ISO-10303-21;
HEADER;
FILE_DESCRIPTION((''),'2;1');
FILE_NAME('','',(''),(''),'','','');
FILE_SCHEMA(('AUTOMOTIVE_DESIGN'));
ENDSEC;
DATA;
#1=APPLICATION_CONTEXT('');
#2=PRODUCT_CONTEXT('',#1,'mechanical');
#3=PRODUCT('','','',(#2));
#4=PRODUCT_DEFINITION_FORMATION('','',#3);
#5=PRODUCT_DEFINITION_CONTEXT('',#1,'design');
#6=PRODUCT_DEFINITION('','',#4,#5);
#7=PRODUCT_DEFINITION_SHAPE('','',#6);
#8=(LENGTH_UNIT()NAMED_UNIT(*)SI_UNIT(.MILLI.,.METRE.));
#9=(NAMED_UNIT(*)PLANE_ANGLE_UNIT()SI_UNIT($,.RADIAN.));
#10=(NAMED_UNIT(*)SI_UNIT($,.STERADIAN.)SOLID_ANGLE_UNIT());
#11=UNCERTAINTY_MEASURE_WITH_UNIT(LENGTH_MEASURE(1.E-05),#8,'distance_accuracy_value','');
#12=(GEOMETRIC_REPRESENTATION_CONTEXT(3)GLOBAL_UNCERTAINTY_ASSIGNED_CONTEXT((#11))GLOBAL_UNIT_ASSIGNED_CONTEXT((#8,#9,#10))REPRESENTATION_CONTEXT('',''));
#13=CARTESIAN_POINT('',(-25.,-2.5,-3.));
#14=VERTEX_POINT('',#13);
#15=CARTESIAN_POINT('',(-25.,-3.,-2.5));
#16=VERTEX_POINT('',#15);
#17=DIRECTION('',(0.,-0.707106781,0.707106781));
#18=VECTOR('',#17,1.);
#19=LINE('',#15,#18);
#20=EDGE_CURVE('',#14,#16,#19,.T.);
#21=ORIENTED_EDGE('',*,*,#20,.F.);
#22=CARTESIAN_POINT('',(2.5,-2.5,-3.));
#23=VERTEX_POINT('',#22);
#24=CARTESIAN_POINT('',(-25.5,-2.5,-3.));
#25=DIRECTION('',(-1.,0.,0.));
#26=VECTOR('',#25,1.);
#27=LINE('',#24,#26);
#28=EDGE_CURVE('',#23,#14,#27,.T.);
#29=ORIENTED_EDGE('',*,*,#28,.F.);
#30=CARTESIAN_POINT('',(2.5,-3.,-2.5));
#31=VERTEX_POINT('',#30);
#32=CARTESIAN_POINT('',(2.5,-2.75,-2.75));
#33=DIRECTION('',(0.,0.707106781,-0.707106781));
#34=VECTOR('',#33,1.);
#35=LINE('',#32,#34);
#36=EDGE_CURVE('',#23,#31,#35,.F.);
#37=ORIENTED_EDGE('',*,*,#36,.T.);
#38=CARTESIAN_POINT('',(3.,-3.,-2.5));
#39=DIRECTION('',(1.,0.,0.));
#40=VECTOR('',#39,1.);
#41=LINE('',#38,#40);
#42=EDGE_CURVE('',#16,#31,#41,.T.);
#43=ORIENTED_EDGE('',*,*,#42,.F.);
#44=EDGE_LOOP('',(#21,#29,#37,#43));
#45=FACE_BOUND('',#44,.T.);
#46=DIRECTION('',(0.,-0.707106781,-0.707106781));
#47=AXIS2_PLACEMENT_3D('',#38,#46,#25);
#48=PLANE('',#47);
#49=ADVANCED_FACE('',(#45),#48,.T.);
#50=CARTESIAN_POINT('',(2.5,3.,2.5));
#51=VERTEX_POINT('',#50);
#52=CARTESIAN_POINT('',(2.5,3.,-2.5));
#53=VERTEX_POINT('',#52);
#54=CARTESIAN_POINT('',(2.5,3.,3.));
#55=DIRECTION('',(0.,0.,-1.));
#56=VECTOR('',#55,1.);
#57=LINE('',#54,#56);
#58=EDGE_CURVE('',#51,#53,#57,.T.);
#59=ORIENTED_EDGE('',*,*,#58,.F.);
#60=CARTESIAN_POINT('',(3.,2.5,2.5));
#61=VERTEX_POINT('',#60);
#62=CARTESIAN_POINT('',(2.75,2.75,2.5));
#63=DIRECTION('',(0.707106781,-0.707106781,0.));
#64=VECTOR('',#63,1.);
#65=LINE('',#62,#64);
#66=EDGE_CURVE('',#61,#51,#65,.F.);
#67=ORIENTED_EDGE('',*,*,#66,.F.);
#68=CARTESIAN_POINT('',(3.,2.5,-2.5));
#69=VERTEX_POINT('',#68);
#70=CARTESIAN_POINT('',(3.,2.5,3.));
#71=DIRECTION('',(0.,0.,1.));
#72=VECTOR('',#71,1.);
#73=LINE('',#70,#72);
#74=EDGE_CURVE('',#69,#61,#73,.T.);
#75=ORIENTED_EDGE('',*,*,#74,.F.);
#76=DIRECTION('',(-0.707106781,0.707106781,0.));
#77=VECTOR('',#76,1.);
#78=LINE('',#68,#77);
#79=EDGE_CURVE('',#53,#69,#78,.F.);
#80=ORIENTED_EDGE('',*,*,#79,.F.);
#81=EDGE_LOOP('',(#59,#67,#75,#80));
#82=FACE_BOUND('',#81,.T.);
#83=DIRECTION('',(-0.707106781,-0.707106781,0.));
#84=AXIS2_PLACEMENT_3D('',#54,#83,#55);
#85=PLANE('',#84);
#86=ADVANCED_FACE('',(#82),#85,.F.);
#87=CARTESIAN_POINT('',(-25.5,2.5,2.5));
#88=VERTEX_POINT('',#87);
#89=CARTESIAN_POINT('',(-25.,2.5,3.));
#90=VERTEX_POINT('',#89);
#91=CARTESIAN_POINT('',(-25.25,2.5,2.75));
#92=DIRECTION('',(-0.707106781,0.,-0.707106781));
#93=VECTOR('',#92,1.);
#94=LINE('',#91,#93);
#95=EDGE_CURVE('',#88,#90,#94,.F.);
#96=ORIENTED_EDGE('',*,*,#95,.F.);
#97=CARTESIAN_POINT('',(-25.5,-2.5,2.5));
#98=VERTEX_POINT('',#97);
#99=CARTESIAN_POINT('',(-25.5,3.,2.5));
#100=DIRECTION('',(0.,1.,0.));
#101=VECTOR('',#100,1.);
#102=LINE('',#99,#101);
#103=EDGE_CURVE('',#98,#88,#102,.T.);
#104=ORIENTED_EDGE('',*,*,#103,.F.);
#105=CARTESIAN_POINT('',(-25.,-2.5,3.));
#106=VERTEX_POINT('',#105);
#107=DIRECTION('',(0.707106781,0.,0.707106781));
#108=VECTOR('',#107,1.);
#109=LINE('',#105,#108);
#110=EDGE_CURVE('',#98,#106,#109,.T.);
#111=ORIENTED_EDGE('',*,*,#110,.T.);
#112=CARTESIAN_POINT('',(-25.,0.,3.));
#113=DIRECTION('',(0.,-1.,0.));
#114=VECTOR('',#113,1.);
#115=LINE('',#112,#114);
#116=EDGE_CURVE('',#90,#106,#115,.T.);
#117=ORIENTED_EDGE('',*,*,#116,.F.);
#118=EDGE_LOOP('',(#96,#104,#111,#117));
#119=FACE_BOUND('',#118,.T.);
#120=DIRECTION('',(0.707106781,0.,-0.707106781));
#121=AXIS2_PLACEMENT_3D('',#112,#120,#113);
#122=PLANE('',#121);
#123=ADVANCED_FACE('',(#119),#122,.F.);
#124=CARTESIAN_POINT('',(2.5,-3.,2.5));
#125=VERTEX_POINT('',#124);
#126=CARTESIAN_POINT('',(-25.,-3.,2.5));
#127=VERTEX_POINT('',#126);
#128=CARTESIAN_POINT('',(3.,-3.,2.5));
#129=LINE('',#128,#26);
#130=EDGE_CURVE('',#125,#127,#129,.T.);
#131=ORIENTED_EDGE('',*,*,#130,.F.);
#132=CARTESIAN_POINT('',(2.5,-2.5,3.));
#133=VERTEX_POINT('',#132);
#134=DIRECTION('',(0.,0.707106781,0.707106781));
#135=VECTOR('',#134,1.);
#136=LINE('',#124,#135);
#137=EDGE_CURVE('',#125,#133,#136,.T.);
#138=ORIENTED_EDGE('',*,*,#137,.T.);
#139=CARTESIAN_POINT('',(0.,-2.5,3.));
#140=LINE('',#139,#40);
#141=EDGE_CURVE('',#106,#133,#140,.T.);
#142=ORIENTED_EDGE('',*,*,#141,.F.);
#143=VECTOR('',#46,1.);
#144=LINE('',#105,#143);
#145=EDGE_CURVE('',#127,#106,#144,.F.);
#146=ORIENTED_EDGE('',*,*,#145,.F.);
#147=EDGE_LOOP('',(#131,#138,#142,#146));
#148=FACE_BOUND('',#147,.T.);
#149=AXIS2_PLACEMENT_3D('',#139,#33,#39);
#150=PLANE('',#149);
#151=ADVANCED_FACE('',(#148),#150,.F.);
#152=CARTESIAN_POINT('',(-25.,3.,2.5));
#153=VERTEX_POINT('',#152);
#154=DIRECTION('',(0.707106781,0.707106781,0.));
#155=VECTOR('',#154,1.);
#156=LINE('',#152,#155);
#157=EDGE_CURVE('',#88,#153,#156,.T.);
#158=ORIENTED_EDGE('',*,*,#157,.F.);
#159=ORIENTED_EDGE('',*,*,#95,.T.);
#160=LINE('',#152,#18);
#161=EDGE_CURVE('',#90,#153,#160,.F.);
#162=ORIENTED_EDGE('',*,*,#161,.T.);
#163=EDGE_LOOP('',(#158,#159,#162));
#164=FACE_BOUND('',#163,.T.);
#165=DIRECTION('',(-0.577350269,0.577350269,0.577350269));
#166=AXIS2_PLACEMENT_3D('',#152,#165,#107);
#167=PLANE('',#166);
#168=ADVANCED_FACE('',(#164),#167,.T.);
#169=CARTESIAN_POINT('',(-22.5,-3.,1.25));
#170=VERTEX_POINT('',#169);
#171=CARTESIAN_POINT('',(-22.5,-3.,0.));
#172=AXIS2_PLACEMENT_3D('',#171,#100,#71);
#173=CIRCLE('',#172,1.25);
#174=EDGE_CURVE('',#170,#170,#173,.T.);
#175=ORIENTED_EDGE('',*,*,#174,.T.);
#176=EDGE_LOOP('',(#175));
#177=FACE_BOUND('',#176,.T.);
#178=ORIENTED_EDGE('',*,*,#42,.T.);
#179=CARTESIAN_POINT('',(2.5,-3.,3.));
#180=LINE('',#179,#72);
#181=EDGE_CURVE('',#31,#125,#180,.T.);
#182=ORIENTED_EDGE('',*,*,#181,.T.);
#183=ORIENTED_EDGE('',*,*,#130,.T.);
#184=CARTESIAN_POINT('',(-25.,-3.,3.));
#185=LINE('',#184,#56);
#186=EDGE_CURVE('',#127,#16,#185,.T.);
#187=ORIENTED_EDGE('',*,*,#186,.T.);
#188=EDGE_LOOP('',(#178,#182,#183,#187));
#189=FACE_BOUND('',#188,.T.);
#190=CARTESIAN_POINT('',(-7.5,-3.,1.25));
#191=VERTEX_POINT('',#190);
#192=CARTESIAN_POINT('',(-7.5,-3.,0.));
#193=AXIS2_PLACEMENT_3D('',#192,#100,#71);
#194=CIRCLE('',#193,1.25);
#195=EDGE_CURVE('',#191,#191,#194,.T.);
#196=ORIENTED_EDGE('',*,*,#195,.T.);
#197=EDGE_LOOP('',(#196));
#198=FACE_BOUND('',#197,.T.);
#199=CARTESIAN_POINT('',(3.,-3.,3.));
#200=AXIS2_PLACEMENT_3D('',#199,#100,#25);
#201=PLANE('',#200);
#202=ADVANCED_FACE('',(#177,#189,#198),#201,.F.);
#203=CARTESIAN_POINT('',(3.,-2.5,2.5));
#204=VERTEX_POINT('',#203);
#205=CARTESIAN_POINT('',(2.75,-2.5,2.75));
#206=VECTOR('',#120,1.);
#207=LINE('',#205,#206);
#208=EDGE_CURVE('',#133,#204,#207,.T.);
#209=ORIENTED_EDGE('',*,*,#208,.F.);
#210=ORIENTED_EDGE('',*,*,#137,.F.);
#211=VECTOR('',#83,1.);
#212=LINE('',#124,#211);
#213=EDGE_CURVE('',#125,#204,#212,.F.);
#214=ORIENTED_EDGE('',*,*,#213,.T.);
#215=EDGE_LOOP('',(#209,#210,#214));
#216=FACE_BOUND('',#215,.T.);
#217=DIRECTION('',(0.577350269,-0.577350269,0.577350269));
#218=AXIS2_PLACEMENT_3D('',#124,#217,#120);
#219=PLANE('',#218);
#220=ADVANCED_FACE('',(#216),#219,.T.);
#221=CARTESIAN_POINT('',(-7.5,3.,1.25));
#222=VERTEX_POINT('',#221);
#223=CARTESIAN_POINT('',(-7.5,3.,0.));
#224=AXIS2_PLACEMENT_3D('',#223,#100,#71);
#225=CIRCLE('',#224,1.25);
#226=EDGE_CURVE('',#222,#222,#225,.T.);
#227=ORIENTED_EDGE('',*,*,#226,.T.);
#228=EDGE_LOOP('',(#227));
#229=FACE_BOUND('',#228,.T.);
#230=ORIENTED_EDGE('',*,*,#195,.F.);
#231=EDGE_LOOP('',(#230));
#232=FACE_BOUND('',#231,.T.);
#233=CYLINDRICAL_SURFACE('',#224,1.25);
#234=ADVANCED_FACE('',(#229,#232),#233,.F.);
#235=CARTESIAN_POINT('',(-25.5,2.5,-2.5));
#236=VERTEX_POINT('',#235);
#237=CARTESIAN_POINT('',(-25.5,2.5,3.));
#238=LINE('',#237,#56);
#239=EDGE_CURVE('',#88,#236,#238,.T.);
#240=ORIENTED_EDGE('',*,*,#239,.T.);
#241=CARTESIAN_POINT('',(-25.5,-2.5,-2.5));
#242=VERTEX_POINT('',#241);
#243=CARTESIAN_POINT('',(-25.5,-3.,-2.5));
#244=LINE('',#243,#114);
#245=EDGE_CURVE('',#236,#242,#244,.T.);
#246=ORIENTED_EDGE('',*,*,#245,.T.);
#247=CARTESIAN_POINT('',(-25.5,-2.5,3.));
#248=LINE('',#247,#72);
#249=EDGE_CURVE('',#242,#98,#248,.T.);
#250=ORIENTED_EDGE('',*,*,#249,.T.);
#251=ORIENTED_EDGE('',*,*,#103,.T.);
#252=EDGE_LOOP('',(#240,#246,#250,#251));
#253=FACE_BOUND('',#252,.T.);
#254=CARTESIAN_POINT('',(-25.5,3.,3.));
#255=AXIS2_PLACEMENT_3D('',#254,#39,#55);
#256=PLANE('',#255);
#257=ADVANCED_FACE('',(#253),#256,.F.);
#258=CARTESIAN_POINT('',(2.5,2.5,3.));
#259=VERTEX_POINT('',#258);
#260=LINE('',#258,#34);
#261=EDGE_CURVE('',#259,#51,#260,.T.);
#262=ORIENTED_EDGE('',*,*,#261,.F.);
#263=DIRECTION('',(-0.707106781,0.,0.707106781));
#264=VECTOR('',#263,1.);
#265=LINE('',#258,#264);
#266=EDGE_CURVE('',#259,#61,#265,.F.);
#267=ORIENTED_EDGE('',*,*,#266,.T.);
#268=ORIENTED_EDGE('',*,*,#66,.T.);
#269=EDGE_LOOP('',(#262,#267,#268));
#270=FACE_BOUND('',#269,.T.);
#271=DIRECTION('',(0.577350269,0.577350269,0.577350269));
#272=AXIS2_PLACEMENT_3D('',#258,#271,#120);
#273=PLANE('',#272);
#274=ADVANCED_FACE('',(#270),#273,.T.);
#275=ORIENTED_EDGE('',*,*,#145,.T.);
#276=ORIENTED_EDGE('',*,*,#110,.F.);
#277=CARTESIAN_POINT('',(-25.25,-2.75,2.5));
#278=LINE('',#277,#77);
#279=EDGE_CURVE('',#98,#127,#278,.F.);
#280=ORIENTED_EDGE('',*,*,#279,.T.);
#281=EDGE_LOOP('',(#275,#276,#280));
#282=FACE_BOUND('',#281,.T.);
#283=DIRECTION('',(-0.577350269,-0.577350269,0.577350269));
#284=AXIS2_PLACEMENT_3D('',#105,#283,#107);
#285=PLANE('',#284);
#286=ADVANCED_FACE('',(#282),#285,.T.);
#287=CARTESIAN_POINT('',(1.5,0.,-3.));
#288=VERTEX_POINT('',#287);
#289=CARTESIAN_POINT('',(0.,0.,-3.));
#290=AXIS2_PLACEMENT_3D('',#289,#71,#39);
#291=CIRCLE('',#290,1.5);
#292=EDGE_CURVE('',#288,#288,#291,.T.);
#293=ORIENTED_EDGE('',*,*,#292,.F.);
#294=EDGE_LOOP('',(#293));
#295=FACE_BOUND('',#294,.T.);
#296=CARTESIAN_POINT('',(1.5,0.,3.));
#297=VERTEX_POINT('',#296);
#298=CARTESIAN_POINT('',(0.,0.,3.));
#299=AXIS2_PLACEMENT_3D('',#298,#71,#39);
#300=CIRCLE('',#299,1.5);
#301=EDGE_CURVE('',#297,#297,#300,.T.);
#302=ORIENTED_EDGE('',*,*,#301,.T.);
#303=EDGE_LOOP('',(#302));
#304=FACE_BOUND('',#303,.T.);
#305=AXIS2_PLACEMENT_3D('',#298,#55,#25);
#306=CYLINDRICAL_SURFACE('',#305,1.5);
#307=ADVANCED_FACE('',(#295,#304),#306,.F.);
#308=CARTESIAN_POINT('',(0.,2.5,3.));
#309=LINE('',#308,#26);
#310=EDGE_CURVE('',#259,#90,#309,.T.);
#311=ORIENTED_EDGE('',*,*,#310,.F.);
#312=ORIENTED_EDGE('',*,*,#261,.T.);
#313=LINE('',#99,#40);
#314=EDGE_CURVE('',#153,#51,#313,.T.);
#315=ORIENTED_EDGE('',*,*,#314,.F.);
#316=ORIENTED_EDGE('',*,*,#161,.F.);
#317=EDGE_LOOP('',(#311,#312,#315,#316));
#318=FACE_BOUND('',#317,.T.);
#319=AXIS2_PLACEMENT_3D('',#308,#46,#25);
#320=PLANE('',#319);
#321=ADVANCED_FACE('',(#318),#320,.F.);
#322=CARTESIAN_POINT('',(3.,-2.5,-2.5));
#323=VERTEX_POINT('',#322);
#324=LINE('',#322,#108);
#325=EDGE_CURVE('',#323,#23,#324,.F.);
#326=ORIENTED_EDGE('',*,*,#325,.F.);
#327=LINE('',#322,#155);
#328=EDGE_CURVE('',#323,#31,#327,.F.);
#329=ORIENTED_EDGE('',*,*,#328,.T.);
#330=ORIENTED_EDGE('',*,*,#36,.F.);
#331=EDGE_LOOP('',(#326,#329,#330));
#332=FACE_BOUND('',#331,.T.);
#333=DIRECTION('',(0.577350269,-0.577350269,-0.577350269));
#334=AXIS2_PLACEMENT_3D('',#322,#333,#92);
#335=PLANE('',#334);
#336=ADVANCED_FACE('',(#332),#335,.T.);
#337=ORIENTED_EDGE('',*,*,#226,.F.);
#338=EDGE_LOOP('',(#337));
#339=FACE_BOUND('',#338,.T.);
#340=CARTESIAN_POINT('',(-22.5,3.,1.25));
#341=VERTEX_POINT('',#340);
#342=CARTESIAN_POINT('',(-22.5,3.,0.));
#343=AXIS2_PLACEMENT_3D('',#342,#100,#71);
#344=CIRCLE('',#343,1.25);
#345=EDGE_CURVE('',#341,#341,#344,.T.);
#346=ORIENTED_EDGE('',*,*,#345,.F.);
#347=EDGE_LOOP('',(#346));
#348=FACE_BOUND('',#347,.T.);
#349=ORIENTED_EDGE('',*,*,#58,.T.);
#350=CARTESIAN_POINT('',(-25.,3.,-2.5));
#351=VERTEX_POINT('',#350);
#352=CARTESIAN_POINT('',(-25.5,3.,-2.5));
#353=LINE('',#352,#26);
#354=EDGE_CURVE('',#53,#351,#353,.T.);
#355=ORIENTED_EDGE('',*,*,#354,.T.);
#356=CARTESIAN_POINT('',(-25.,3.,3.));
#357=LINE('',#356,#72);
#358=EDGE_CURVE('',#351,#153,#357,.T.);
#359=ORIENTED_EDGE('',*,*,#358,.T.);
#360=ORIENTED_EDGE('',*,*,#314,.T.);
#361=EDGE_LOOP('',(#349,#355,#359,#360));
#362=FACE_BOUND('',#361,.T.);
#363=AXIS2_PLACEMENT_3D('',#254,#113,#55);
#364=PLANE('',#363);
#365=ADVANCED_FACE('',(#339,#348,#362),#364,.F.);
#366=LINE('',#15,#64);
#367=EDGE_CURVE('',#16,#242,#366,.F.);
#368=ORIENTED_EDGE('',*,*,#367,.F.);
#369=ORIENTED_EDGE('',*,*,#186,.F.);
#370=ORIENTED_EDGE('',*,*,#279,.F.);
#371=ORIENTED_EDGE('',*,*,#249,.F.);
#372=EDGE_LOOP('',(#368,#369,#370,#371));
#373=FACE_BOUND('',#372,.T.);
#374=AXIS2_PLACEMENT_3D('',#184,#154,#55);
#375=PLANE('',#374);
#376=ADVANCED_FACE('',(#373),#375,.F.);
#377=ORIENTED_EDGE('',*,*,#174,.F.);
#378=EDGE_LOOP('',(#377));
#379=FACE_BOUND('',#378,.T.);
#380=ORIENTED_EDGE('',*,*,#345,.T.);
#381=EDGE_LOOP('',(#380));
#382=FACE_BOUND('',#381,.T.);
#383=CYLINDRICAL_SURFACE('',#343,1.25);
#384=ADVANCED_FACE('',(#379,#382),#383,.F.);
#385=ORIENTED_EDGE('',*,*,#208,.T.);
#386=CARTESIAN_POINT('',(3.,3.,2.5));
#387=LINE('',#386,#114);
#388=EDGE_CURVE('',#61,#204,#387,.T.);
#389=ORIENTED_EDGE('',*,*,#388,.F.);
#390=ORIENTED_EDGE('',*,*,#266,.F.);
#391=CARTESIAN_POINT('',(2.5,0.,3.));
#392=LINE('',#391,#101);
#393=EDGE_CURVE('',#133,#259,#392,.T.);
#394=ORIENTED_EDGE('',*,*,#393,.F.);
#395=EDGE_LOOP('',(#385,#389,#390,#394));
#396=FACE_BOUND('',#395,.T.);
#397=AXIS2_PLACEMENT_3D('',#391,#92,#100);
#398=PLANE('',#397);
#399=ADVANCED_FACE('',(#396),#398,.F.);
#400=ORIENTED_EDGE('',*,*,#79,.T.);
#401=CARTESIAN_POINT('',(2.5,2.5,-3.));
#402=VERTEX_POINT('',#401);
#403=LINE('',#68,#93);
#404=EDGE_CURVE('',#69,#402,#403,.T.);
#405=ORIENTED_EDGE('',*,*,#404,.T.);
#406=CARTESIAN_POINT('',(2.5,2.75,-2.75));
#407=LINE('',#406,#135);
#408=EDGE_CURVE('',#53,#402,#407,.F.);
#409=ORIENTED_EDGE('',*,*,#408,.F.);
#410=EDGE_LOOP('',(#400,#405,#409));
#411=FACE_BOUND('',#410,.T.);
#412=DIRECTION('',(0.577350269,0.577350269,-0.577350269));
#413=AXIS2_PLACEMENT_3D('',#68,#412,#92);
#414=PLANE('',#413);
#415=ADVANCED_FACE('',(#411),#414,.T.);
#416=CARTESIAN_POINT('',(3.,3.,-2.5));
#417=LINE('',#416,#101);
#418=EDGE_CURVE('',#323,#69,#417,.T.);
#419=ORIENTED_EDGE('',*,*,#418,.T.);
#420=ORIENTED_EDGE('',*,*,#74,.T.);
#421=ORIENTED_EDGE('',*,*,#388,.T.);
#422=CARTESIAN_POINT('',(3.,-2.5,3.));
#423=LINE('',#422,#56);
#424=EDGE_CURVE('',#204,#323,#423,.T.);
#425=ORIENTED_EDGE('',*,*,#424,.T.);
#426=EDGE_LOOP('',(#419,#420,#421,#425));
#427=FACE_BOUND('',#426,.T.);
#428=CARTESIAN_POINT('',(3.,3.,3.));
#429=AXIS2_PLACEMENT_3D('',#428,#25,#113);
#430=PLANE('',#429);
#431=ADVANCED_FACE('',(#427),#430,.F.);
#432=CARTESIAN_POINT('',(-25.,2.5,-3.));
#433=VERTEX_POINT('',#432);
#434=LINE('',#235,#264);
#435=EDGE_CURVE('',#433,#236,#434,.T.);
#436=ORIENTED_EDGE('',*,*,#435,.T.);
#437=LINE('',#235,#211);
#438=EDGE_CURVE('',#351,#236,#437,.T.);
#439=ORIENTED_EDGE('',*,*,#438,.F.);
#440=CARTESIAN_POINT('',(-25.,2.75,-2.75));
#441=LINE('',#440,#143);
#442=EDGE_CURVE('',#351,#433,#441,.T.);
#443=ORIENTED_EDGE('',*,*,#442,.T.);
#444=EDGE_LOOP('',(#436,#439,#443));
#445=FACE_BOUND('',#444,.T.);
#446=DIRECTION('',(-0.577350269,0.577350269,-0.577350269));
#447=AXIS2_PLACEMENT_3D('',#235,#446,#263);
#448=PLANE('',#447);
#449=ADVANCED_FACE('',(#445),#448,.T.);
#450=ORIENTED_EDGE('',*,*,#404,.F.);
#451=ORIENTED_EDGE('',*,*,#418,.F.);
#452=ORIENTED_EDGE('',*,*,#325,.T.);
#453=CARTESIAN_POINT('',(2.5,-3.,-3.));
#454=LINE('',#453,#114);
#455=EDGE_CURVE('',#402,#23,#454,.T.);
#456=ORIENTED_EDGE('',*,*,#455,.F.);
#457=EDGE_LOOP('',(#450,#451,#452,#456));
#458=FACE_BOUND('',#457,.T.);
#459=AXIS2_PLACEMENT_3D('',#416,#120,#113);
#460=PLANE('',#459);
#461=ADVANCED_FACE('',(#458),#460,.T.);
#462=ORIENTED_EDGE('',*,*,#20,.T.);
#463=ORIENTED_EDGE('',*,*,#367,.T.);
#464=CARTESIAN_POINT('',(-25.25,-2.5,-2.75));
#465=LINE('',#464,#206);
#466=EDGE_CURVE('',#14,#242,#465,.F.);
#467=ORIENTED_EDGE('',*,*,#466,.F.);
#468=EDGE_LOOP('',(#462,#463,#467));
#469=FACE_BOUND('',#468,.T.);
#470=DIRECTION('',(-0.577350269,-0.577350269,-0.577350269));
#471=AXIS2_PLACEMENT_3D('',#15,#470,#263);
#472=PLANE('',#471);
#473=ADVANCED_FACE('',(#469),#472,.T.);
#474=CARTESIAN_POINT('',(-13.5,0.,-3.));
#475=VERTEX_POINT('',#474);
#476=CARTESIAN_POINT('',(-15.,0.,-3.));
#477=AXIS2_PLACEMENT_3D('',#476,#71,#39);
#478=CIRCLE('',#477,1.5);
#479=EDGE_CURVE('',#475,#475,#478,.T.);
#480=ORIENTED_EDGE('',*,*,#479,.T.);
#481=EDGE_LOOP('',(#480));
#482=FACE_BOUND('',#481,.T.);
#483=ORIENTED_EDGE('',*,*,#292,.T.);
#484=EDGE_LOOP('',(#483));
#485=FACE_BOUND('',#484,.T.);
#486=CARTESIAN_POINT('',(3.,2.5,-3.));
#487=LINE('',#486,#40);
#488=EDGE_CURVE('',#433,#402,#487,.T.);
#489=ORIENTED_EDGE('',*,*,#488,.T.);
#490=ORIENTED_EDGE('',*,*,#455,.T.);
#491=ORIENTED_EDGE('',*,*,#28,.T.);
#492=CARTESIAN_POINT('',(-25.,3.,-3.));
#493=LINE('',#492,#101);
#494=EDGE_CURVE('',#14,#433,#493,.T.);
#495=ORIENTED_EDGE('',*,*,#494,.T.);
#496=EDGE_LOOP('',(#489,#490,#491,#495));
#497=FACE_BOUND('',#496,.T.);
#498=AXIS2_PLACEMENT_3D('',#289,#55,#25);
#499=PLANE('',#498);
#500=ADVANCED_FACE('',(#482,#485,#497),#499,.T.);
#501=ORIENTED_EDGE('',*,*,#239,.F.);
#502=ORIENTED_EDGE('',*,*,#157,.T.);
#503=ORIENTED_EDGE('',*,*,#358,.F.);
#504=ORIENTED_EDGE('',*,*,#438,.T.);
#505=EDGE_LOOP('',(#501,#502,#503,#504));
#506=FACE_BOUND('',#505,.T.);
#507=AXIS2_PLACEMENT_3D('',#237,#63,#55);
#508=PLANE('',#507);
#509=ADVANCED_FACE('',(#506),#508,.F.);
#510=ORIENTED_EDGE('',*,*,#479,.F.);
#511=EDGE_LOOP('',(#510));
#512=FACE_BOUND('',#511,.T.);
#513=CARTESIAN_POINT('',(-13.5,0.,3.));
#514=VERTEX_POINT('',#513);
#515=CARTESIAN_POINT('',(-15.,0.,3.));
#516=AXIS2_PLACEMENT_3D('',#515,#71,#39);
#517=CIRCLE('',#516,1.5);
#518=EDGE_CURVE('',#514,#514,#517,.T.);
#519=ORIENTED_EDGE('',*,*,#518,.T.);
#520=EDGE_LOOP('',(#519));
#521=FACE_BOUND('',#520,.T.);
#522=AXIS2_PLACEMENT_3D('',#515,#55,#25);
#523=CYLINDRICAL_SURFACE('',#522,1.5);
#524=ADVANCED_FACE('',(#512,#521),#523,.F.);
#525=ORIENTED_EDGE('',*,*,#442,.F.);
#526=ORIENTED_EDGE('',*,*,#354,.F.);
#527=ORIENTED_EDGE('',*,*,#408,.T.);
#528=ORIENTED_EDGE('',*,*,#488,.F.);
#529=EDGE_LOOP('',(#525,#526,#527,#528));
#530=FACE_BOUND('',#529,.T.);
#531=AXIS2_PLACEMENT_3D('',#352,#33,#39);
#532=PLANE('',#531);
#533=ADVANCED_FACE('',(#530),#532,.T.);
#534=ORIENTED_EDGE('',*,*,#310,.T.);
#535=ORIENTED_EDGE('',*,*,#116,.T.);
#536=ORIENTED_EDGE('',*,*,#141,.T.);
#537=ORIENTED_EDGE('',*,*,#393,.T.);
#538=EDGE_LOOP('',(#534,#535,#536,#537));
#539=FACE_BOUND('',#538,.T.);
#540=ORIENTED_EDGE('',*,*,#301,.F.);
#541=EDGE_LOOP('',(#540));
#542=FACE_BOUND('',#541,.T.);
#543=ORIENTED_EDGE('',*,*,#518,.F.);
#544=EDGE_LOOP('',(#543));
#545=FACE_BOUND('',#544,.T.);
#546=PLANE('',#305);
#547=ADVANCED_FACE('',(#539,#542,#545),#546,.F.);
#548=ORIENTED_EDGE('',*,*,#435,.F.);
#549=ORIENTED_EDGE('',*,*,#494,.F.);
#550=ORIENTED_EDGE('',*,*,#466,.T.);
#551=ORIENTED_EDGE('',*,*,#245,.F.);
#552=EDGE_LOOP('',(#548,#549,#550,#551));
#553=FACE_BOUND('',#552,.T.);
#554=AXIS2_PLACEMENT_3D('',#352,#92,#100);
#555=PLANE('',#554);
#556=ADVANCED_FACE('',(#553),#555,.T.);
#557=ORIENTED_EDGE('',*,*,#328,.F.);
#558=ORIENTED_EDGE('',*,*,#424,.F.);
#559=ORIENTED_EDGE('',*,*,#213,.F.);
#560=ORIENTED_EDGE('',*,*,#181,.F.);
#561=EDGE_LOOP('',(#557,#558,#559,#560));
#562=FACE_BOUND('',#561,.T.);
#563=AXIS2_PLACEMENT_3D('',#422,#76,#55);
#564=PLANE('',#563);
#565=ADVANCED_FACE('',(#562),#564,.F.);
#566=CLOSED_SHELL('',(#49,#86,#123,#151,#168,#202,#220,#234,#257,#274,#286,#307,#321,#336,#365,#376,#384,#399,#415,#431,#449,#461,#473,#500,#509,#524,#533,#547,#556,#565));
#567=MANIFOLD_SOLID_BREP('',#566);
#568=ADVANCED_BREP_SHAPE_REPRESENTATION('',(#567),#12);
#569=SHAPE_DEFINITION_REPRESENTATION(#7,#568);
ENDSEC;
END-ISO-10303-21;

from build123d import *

# Parameters (mm, degrees)
SKETCH_2_W         = 28.5
SKETCH_2_H         = 6
SKETCH_2_R         = 1.5
EXTRUDE_1_DEPTH    = 3
HOLE_WIZARD_M3_2_D = 2.5
CHAMFER_1_SIZE     = 0.5


with BuildPart() as part:
    # 草图2 → 凸台-拉伸1 (new body, symmetric)
    with BuildSketch(Plane.XY):
        with Locations((-11.25, 0)):
            Rectangle(SKETCH_2_W, SKETCH_2_H)
        with Locations((-15, 0)):
            Circle(SKETCH_2_R, mode=Mode.SUBTRACT)
        Circle(SKETCH_2_R, mode=Mode.SUBTRACT)
    extrude(amount=EXTRUDE_1_DEPTH, both=True)

    # M3 螺纹孔2 (through all)
    with Locations(Plane(origin=(0, 3, 0), x_dir=(1, 0, 0), z_dir=(0, 1, 0))):
        with Locations((-7.5, 0), (-22.5, 0)):
            Hole(HOLE_WIZARD_M3_2_D / 2)

    # 倒角1
    chamfer_1_edges = [part.edges().sort_by_distance(p)[0] for p in [
        (-11.25, -3, 3),
        (3, 0, 3),
        (-11.25, 3, 3),
        (3, 0, -3),
        (-11.25, -3, -3),
        (-25.5, 0, -3),
        (-11.25, 3, -3),
        (-25.5, 0, 3),
        (3, 3, 0),
        (3, -3, 0),
        (-25.5, -3, 0),
        (-25.5, 3, 0),
    ]]
    chamfer(chamfer_1_edges, length=CHAMFER_1_SIZE)


solid = part.part
